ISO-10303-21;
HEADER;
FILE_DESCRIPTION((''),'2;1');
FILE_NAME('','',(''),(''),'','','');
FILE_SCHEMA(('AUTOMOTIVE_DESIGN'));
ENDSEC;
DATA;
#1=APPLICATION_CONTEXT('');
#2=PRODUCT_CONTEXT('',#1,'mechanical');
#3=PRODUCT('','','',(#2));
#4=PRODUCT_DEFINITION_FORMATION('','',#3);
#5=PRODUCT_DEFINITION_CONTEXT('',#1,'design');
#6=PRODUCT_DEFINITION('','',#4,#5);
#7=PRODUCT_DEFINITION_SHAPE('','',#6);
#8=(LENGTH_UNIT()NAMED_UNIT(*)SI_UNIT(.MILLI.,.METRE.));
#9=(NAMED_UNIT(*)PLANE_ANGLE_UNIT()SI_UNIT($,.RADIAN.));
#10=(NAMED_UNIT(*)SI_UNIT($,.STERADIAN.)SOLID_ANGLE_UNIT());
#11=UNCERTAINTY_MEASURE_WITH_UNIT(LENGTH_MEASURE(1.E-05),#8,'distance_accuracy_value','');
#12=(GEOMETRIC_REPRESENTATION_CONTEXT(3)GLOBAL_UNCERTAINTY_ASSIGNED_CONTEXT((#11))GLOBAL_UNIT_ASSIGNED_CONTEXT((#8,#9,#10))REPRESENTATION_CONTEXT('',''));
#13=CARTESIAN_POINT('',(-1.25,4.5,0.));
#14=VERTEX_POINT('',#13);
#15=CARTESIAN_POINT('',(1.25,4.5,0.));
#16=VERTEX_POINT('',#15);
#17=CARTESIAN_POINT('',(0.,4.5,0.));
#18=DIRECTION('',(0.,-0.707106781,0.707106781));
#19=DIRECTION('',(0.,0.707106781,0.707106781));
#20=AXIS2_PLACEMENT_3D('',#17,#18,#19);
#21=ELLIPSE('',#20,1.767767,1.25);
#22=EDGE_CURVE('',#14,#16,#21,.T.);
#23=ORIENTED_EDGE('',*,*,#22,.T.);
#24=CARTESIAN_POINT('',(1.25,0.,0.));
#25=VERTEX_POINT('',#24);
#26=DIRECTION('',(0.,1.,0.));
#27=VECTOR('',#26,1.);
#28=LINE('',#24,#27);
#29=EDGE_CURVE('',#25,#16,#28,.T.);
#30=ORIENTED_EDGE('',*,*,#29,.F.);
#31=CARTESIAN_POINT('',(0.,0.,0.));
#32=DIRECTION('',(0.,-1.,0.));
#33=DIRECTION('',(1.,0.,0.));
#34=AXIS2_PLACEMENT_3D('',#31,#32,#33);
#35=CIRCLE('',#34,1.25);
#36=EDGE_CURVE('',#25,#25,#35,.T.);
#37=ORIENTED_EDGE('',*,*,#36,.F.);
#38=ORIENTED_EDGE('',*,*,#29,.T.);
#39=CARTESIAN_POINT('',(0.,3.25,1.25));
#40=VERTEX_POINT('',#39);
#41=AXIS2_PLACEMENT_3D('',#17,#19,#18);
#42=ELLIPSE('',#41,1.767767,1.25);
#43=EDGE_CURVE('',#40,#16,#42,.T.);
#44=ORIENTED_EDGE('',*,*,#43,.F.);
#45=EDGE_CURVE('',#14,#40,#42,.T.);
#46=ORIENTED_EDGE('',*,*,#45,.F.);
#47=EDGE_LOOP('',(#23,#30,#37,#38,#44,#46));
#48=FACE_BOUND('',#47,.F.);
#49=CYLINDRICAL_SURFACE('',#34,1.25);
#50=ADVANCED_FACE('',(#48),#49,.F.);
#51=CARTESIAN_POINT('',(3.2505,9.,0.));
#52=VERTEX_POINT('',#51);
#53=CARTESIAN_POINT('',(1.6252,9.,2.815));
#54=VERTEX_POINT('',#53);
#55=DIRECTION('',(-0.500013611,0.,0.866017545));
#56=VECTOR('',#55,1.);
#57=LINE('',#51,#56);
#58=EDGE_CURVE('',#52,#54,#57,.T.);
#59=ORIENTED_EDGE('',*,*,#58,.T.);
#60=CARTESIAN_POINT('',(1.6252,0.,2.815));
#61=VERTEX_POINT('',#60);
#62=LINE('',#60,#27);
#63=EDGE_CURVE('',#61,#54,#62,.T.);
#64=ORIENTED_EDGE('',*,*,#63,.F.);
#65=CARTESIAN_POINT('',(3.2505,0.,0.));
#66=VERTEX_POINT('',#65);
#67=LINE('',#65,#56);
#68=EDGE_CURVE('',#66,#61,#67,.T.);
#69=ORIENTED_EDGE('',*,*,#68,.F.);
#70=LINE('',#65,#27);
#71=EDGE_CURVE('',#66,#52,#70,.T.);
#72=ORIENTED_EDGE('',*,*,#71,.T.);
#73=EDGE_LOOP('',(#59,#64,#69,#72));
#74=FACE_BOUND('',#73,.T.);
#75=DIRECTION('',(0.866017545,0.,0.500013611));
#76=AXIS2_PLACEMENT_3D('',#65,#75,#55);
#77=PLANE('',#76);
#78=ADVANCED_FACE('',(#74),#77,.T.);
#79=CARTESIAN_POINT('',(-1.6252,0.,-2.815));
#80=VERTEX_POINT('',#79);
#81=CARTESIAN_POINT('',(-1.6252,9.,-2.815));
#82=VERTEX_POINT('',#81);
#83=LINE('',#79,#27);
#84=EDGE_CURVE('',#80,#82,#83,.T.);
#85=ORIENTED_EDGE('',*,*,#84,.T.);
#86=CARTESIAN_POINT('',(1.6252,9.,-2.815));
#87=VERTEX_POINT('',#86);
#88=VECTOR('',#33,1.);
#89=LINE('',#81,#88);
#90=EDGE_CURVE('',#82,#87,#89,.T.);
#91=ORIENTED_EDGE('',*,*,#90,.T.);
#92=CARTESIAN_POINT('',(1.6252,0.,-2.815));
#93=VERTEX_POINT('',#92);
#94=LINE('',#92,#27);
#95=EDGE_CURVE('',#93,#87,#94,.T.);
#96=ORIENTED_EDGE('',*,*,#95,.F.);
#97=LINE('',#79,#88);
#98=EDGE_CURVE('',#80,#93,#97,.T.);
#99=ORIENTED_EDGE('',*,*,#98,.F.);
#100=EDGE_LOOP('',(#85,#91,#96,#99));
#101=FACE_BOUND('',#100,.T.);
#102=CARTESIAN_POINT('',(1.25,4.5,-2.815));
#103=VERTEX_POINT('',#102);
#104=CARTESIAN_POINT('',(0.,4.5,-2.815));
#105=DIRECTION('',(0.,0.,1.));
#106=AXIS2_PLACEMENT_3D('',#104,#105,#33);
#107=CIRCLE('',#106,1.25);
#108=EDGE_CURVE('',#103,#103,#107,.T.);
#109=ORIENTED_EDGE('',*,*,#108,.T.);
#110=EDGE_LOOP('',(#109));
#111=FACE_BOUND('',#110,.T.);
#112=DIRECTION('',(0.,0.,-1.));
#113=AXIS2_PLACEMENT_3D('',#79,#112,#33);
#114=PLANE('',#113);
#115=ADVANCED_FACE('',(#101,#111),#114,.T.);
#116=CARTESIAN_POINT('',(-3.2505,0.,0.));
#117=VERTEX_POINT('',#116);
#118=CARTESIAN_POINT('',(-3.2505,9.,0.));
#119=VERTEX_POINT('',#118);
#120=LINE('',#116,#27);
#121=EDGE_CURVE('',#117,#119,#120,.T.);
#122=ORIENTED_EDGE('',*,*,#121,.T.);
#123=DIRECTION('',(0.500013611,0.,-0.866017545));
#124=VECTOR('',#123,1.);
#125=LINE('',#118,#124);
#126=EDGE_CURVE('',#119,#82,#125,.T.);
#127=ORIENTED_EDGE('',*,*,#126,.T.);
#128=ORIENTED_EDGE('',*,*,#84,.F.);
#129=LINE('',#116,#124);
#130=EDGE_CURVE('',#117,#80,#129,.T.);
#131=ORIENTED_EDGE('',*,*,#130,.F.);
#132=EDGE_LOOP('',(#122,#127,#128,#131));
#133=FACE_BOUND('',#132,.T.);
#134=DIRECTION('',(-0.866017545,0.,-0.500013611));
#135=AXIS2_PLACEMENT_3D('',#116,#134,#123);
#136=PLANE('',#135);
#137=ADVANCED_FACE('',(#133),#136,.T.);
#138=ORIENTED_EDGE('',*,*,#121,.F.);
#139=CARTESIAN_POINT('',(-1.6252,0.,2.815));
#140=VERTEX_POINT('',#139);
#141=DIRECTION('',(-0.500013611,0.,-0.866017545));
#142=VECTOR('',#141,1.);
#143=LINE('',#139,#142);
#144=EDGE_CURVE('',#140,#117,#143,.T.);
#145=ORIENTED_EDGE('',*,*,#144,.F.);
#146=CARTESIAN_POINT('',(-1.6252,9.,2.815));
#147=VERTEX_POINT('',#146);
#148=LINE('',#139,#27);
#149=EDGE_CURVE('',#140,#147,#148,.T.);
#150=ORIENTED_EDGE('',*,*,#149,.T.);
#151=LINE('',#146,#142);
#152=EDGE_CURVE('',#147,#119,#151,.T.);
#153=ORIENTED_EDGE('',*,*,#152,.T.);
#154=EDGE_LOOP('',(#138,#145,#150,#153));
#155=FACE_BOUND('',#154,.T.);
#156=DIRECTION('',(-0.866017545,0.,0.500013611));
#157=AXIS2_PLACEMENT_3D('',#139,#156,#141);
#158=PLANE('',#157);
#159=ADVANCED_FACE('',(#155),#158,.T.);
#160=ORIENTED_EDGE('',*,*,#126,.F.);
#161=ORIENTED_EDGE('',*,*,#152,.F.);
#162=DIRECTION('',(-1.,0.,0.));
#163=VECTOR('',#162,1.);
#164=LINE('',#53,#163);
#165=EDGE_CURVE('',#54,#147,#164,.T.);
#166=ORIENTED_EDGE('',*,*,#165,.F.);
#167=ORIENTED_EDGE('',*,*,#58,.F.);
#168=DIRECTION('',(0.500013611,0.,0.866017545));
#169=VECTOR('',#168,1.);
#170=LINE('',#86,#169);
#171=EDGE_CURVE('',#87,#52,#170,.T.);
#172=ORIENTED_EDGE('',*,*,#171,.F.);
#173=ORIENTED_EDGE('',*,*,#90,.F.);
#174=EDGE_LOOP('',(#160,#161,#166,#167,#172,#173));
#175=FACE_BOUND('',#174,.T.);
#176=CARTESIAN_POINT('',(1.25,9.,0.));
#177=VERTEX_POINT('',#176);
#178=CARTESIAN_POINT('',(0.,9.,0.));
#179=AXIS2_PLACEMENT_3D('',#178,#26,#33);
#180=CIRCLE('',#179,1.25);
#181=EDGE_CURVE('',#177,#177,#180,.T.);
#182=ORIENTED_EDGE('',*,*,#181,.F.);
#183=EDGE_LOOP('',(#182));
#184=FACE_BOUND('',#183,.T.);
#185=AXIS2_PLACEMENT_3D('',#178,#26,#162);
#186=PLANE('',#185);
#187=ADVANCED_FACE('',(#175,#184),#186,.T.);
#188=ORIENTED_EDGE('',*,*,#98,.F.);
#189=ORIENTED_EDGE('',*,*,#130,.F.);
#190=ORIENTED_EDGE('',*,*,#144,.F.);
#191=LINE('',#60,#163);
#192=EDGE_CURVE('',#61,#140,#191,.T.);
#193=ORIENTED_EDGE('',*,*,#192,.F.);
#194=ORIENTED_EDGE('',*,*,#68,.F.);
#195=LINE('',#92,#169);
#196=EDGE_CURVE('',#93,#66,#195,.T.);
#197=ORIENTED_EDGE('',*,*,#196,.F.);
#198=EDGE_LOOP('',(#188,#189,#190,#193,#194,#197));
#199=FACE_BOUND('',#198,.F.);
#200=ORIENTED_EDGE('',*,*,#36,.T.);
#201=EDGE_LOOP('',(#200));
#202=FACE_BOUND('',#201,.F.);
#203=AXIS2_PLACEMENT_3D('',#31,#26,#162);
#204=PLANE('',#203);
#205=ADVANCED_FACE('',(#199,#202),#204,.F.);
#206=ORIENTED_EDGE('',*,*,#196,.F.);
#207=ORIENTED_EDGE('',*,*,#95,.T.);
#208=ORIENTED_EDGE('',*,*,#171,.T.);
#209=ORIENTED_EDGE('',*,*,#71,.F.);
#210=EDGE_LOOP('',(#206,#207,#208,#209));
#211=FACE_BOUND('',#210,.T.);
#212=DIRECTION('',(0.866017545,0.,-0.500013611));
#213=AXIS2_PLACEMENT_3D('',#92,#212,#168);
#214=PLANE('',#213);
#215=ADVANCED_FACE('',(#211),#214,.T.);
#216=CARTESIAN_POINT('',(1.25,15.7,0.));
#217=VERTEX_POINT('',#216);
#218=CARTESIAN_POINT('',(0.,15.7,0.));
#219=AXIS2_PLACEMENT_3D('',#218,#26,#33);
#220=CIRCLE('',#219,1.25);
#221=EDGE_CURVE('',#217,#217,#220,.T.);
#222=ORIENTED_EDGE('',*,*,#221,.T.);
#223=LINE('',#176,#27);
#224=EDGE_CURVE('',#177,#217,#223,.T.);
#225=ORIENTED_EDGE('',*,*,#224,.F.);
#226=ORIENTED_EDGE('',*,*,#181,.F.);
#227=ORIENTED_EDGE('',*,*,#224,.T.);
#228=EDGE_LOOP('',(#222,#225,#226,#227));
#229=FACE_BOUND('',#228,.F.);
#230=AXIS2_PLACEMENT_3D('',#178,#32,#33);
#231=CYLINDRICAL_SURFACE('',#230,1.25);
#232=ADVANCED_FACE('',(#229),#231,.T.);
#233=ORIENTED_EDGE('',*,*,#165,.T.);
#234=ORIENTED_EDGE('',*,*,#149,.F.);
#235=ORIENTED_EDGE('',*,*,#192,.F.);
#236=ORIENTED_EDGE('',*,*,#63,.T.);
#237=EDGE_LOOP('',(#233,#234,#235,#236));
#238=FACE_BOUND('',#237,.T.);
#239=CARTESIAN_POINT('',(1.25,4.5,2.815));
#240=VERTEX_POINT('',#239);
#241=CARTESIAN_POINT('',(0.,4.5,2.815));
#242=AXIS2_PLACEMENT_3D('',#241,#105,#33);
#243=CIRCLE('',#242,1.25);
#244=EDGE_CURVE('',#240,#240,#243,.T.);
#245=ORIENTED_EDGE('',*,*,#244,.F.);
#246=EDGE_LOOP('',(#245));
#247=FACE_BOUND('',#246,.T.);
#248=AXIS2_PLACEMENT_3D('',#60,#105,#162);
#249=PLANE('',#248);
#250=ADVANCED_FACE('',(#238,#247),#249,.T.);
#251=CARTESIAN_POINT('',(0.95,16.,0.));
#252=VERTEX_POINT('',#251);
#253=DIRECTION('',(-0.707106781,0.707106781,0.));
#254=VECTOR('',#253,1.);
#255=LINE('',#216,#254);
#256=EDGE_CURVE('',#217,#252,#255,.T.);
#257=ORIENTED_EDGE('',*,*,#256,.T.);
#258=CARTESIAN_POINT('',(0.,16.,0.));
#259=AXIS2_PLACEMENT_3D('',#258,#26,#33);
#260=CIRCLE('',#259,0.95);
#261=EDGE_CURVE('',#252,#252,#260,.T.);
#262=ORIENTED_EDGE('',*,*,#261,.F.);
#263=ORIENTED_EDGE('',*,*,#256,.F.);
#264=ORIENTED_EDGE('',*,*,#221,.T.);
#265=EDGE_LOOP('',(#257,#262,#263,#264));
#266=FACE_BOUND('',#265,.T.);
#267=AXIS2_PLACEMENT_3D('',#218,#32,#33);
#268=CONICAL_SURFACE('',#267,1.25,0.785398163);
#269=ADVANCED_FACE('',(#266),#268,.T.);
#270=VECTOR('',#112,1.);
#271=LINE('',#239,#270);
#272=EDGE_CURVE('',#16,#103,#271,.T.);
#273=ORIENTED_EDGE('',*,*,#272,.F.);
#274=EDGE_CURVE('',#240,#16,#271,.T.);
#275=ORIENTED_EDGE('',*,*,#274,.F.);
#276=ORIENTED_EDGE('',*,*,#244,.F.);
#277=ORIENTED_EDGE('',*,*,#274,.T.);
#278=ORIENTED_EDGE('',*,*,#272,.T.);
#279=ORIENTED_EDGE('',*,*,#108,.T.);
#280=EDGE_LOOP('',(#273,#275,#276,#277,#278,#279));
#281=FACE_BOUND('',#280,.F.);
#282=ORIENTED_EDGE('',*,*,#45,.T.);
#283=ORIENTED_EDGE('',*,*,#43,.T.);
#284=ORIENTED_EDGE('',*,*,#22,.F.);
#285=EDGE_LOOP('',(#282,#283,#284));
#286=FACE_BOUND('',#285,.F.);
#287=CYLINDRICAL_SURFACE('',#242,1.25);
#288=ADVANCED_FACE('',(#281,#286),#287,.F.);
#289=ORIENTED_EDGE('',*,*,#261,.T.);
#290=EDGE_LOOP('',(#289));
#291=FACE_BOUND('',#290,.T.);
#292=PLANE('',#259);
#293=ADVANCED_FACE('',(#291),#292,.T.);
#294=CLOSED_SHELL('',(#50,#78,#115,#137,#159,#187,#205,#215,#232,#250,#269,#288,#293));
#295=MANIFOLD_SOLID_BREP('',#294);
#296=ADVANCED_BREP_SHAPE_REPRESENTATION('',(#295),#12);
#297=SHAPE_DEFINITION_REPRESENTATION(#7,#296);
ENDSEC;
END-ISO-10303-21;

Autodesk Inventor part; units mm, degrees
ref_plane "YZ Plane" through (0, 0, 0) normal (1, 0, 0) x (0, 1, 0)
ref_plane "XZ Plane" through (0, 0, 0) normal (0, 1, 0) x (-1, 0, 0)
ref_plane "XY Plane" through (0, 0, 0) normal (0, 0, 1) x (1, 0, 0)
sketch "Sketch1" plane through (0, 0, 0) normal (0, 1, 0) x (-1, 0, 0)
  line L0 (-1.6252, -2.815) -> (-3.2505, 0)
  line L1 (-3.2505, 0) -> (-1.6252, 2.815)
  line L2 (-1.6252, 2.815) -> (1.6252, 2.815)
  line L3 (1.6252, 2.815) -> (3.2505, 0)
  line L4 (3.2505, 0) -> (1.6252, -2.815)
  line L5 (1.6252, -2.815) -> (-1.6252, -2.815)
  point P0 (0, 0)
  point P1 (0, 0)
  dimension "d0" = 5.63
extrude "Extrusion1" add sketch "Sketch1" along normal blind 9
sketch "Sketch2" plane through (0, 9, 0) normal (0, 1, 0) x (1, 0, 0)
  circle A0 centre (0, 0) radius 1.25
  dimension "d3" = 2.5
extrude "Extrusion2" add sketch "Sketch2" along normal blind 7
thread "Thread1" size "M2.5x0.45" class "6g" standard "ANSI Metric M Profile" length 3.5
chamfer "Chamfer1" distance 0.3 angle 45 1 edges at (-1.25, 16, 0)
sketch "Sketch3" plane through (-1.6252, 0, 2.815) normal (0, 0, 1) x (1, 0, 0)
  circle A0 centre (1.6252, 4.5) radius 1.25
  line L0 (0, 0) -> (3.2505, 0) projected
  point P0 (1.6252, 0)
  point P1 (1.6252, 0)
  dimension "d11" = 2.5
  dimension "d12" = 4.5
extrude "Extrusion3" cut sketch "Sketch3" against normal through all
sketch "Sketch4" plane through (0, 0, 0) normal (0, -1, 0) x (1, 0, 0)
  circle A0 centre (0, 0) radius 1.25
  dimension "d15" = 2.5
extrude "Extrusion4" cut sketch "Sketch4" against normal blind 4.5
properties part number "18102021-002-04" material "ABS Plastic"
